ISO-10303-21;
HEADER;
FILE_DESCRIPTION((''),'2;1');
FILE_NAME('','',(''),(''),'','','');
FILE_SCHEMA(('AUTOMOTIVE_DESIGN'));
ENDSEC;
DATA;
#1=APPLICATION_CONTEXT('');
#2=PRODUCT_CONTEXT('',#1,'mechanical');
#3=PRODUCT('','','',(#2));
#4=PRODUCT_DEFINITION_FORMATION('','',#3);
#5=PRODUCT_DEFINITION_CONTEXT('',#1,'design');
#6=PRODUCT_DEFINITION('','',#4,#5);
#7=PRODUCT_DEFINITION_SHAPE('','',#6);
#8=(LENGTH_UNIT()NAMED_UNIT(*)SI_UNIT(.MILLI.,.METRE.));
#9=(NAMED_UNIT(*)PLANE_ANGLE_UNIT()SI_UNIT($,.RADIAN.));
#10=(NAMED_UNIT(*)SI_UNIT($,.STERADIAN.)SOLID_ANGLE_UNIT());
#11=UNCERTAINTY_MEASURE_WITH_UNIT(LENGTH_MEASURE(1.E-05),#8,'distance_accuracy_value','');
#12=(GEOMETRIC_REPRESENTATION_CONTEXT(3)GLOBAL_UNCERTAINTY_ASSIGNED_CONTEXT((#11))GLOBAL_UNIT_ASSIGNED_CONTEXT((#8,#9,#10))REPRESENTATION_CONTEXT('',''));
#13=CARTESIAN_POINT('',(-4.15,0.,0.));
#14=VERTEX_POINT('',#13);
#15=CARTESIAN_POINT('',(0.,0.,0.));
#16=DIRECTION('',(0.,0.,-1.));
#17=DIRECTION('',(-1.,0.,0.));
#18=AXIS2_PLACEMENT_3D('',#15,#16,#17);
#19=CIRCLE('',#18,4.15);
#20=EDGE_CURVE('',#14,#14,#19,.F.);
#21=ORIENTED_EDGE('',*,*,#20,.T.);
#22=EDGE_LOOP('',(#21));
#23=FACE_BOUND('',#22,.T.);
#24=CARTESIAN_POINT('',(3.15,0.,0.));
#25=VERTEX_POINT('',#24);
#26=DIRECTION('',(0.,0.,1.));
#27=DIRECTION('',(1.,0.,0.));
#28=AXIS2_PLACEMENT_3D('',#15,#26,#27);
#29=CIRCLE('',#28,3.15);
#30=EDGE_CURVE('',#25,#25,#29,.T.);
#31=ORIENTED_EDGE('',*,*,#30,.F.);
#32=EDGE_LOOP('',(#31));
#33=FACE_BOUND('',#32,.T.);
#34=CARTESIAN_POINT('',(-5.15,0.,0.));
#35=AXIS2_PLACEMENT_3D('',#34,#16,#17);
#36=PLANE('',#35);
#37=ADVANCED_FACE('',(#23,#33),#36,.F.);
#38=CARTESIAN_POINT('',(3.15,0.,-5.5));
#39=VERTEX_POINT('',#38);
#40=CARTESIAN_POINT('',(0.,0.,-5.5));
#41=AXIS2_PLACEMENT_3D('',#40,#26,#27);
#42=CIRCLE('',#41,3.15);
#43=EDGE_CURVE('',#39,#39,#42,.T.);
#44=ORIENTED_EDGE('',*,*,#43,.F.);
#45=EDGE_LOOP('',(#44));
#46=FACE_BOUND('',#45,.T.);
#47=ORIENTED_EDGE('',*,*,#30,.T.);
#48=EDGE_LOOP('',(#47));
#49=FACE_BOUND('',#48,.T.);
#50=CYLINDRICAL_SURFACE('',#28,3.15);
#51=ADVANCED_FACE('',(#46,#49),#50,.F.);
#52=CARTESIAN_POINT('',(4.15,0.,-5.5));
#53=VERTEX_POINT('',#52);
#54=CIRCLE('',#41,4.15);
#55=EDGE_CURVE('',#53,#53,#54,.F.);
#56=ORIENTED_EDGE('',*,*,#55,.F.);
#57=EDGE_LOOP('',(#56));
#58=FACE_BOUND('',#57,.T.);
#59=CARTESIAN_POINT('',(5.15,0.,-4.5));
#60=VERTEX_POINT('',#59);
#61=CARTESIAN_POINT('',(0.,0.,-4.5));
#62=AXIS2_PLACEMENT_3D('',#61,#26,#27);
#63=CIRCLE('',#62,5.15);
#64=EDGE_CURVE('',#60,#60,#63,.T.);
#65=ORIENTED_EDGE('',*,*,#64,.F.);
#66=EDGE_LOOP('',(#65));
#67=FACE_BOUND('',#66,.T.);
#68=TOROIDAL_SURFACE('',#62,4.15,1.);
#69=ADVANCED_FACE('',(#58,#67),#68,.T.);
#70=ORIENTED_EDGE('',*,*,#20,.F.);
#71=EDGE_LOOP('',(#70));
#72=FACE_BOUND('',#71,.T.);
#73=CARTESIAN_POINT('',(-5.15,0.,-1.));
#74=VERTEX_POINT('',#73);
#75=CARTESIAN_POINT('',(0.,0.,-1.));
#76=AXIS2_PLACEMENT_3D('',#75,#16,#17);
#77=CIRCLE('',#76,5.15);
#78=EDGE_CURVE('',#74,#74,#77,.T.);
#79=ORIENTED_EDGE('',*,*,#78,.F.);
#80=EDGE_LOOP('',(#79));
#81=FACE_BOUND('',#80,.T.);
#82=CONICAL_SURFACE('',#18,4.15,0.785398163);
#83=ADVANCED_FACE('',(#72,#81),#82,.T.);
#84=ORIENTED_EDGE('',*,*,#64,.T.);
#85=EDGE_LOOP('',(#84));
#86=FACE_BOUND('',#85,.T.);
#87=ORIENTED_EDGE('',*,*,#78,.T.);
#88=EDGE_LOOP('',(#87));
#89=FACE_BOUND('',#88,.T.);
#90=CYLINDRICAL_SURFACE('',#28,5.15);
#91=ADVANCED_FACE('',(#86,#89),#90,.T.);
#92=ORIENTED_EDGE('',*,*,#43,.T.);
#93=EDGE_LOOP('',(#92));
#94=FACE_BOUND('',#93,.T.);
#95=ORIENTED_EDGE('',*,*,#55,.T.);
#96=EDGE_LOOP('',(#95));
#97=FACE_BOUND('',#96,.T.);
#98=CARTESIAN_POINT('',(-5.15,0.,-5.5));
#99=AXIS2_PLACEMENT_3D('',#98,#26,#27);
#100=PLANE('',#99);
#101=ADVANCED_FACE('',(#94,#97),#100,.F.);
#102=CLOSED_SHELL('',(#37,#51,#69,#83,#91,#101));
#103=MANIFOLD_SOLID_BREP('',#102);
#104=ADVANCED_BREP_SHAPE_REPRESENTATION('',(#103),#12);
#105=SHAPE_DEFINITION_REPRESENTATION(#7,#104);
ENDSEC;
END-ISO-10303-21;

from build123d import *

# Parameters (mm, degrees)
SKETCH1_W     = 2
SKETCH1_H     = 5.5
CHAMFER1_SIZE = 1
FILLET1_R     = 1


with BuildPart() as part:
    # Sketch1 → Revolve1 (revolve)
    with BuildSketch(Plane(origin=(0, 0, 0), x_dir=(1, 0, 0), z_dir=(0, 1, 0)), mode=Mode.PRIVATE) as revolve1_sk:
        with Locations((-4.15, 2.75)):
            Rectangle(SKETCH1_W, SKETCH1_H)
    revolve(revolve1_sk.sketch.rotate(Axis((0, 0, 0), (0, 0, -1)), 180), axis=Axis((0, 0, 0), (0, 0, -1)))

    # Chamfer1
    chamfer1_edges = [part.edges().sort_by_distance(p)[0] for p in [
        (-5.15, 0, 0),
    ]]
    chamfer(chamfer1_edges, length=CHAMFER1_SIZE)

    # Fillet1
    fillet1_edges = [part.edges().sort_by_distance(p)[0] for p in [
        (-5.15, 0, -5.5),
    ]]
    fillet(fillet1_edges, radius=FILLET1_R)


solid = part.part
